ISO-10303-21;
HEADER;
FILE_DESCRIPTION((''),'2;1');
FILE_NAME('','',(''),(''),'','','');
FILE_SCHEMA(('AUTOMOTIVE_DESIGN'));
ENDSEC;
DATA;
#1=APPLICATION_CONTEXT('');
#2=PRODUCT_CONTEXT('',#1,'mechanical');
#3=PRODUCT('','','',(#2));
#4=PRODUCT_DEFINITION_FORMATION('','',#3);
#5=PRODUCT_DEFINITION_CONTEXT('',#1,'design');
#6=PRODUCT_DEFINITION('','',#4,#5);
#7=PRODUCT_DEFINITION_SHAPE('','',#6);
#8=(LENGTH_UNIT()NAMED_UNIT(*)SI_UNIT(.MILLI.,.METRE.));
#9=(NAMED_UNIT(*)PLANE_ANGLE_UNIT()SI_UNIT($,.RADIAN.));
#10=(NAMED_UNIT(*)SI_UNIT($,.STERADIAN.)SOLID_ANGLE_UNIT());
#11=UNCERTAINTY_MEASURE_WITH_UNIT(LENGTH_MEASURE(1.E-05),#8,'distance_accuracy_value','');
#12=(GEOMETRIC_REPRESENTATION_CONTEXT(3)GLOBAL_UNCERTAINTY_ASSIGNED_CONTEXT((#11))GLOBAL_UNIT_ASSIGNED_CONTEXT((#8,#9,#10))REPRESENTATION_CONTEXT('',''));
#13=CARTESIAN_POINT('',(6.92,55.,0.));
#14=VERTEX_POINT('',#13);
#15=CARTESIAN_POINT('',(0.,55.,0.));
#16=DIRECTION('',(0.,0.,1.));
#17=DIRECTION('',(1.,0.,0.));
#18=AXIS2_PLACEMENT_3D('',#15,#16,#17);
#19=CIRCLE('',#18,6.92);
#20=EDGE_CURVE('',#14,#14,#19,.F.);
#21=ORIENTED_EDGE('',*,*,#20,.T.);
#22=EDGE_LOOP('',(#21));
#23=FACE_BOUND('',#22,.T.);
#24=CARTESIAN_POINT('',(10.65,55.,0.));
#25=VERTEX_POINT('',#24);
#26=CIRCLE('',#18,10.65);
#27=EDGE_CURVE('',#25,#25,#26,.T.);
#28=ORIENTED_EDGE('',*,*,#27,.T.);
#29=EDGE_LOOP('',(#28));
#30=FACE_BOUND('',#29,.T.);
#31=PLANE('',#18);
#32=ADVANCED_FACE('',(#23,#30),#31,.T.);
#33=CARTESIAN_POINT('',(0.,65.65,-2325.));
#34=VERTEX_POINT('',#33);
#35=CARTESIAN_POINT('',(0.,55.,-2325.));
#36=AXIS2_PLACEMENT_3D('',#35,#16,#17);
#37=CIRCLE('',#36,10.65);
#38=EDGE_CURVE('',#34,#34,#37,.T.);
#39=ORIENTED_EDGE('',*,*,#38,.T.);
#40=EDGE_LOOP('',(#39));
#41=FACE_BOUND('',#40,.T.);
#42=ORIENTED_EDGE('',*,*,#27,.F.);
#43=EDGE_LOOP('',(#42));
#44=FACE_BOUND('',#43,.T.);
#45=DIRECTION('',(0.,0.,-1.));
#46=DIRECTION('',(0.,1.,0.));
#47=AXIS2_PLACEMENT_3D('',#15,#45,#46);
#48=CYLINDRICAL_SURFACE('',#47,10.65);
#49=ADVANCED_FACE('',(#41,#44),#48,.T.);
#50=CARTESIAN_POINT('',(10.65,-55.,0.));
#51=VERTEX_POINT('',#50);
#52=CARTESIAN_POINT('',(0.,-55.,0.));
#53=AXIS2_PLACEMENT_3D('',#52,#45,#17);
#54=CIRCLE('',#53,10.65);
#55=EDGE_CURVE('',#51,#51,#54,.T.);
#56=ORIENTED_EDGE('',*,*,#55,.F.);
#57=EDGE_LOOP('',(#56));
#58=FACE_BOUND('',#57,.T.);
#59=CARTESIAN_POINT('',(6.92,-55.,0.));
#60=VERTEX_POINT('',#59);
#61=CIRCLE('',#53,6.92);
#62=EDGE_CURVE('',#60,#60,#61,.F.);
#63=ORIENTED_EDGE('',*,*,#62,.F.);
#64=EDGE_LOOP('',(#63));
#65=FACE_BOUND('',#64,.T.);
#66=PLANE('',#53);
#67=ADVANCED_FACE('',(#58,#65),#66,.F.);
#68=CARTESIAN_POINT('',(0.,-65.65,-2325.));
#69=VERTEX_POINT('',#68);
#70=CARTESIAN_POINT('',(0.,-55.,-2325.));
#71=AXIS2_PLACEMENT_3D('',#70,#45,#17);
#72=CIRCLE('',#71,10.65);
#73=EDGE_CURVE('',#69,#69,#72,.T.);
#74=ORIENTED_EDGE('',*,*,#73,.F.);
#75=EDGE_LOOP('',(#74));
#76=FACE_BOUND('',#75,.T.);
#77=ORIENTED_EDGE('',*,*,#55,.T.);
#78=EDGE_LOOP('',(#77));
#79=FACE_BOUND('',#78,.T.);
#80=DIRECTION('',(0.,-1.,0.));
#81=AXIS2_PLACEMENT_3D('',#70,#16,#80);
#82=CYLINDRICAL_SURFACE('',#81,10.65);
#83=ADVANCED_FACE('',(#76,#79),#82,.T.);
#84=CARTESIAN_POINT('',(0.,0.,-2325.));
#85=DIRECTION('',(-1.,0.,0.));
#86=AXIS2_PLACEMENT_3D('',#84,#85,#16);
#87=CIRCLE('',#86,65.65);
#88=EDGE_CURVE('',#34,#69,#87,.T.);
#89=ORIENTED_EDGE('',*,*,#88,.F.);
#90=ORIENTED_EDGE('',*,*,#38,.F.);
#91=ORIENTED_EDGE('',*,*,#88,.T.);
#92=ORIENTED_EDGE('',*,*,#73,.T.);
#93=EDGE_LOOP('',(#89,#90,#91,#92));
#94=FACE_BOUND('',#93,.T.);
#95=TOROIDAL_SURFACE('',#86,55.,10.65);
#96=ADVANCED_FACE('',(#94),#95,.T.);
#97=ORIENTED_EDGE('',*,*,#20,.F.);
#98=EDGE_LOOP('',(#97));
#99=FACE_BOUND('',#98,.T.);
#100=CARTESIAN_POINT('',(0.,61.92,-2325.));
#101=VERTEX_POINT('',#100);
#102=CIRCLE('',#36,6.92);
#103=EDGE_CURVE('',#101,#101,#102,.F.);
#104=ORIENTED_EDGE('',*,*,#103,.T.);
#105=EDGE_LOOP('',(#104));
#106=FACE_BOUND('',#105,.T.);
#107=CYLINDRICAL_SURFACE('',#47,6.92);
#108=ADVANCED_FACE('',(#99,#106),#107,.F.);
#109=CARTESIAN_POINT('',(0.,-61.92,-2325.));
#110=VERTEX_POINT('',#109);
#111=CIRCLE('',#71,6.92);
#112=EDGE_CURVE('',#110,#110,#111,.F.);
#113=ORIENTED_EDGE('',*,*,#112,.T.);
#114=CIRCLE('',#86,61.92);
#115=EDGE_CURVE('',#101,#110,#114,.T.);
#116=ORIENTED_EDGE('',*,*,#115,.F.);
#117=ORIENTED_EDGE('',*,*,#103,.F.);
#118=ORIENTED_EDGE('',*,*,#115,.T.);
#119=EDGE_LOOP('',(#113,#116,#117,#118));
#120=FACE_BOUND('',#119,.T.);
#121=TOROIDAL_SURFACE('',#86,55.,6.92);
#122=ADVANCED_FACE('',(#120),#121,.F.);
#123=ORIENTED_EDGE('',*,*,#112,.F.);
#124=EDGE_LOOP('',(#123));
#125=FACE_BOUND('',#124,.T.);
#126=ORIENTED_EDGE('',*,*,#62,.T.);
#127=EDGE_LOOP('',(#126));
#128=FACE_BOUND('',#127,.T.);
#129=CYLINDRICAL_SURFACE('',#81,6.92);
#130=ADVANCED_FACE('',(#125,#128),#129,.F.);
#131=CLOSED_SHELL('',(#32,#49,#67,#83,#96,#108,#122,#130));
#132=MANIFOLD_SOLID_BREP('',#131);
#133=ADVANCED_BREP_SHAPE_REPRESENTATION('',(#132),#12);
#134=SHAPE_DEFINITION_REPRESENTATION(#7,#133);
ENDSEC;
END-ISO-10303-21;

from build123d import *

# Parameters (mm, degrees)
SKETCH2_R   = 10.65
SKETCH2_R_2 = 6.92


with BuildPart() as part:
    # Sweep1: sweep along a path in Sketch1
    with BuildLine(Plane(origin=(0, 0, 0), x_dir=(0, 0, -1), z_dir=(1, 0, 0))) as sweep1_path:
        Line((0, 55), (2325, 55))
        ThreePointArc((2325, 55), (2380, 0), (2325, -55))
        Line((2325, -55), (0, -55))
    # Sketch2 → Sweep1 (sweep)
    with BuildSketch(Plane.XY):
        with Locations((0, 55)):
            Circle(SKETCH2_R)
        with Locations((0, 55)):
            Circle(SKETCH2_R_2, mode=Mode.SUBTRACT)
    sweep(path=sweep1_path.line)


solid = part.part
